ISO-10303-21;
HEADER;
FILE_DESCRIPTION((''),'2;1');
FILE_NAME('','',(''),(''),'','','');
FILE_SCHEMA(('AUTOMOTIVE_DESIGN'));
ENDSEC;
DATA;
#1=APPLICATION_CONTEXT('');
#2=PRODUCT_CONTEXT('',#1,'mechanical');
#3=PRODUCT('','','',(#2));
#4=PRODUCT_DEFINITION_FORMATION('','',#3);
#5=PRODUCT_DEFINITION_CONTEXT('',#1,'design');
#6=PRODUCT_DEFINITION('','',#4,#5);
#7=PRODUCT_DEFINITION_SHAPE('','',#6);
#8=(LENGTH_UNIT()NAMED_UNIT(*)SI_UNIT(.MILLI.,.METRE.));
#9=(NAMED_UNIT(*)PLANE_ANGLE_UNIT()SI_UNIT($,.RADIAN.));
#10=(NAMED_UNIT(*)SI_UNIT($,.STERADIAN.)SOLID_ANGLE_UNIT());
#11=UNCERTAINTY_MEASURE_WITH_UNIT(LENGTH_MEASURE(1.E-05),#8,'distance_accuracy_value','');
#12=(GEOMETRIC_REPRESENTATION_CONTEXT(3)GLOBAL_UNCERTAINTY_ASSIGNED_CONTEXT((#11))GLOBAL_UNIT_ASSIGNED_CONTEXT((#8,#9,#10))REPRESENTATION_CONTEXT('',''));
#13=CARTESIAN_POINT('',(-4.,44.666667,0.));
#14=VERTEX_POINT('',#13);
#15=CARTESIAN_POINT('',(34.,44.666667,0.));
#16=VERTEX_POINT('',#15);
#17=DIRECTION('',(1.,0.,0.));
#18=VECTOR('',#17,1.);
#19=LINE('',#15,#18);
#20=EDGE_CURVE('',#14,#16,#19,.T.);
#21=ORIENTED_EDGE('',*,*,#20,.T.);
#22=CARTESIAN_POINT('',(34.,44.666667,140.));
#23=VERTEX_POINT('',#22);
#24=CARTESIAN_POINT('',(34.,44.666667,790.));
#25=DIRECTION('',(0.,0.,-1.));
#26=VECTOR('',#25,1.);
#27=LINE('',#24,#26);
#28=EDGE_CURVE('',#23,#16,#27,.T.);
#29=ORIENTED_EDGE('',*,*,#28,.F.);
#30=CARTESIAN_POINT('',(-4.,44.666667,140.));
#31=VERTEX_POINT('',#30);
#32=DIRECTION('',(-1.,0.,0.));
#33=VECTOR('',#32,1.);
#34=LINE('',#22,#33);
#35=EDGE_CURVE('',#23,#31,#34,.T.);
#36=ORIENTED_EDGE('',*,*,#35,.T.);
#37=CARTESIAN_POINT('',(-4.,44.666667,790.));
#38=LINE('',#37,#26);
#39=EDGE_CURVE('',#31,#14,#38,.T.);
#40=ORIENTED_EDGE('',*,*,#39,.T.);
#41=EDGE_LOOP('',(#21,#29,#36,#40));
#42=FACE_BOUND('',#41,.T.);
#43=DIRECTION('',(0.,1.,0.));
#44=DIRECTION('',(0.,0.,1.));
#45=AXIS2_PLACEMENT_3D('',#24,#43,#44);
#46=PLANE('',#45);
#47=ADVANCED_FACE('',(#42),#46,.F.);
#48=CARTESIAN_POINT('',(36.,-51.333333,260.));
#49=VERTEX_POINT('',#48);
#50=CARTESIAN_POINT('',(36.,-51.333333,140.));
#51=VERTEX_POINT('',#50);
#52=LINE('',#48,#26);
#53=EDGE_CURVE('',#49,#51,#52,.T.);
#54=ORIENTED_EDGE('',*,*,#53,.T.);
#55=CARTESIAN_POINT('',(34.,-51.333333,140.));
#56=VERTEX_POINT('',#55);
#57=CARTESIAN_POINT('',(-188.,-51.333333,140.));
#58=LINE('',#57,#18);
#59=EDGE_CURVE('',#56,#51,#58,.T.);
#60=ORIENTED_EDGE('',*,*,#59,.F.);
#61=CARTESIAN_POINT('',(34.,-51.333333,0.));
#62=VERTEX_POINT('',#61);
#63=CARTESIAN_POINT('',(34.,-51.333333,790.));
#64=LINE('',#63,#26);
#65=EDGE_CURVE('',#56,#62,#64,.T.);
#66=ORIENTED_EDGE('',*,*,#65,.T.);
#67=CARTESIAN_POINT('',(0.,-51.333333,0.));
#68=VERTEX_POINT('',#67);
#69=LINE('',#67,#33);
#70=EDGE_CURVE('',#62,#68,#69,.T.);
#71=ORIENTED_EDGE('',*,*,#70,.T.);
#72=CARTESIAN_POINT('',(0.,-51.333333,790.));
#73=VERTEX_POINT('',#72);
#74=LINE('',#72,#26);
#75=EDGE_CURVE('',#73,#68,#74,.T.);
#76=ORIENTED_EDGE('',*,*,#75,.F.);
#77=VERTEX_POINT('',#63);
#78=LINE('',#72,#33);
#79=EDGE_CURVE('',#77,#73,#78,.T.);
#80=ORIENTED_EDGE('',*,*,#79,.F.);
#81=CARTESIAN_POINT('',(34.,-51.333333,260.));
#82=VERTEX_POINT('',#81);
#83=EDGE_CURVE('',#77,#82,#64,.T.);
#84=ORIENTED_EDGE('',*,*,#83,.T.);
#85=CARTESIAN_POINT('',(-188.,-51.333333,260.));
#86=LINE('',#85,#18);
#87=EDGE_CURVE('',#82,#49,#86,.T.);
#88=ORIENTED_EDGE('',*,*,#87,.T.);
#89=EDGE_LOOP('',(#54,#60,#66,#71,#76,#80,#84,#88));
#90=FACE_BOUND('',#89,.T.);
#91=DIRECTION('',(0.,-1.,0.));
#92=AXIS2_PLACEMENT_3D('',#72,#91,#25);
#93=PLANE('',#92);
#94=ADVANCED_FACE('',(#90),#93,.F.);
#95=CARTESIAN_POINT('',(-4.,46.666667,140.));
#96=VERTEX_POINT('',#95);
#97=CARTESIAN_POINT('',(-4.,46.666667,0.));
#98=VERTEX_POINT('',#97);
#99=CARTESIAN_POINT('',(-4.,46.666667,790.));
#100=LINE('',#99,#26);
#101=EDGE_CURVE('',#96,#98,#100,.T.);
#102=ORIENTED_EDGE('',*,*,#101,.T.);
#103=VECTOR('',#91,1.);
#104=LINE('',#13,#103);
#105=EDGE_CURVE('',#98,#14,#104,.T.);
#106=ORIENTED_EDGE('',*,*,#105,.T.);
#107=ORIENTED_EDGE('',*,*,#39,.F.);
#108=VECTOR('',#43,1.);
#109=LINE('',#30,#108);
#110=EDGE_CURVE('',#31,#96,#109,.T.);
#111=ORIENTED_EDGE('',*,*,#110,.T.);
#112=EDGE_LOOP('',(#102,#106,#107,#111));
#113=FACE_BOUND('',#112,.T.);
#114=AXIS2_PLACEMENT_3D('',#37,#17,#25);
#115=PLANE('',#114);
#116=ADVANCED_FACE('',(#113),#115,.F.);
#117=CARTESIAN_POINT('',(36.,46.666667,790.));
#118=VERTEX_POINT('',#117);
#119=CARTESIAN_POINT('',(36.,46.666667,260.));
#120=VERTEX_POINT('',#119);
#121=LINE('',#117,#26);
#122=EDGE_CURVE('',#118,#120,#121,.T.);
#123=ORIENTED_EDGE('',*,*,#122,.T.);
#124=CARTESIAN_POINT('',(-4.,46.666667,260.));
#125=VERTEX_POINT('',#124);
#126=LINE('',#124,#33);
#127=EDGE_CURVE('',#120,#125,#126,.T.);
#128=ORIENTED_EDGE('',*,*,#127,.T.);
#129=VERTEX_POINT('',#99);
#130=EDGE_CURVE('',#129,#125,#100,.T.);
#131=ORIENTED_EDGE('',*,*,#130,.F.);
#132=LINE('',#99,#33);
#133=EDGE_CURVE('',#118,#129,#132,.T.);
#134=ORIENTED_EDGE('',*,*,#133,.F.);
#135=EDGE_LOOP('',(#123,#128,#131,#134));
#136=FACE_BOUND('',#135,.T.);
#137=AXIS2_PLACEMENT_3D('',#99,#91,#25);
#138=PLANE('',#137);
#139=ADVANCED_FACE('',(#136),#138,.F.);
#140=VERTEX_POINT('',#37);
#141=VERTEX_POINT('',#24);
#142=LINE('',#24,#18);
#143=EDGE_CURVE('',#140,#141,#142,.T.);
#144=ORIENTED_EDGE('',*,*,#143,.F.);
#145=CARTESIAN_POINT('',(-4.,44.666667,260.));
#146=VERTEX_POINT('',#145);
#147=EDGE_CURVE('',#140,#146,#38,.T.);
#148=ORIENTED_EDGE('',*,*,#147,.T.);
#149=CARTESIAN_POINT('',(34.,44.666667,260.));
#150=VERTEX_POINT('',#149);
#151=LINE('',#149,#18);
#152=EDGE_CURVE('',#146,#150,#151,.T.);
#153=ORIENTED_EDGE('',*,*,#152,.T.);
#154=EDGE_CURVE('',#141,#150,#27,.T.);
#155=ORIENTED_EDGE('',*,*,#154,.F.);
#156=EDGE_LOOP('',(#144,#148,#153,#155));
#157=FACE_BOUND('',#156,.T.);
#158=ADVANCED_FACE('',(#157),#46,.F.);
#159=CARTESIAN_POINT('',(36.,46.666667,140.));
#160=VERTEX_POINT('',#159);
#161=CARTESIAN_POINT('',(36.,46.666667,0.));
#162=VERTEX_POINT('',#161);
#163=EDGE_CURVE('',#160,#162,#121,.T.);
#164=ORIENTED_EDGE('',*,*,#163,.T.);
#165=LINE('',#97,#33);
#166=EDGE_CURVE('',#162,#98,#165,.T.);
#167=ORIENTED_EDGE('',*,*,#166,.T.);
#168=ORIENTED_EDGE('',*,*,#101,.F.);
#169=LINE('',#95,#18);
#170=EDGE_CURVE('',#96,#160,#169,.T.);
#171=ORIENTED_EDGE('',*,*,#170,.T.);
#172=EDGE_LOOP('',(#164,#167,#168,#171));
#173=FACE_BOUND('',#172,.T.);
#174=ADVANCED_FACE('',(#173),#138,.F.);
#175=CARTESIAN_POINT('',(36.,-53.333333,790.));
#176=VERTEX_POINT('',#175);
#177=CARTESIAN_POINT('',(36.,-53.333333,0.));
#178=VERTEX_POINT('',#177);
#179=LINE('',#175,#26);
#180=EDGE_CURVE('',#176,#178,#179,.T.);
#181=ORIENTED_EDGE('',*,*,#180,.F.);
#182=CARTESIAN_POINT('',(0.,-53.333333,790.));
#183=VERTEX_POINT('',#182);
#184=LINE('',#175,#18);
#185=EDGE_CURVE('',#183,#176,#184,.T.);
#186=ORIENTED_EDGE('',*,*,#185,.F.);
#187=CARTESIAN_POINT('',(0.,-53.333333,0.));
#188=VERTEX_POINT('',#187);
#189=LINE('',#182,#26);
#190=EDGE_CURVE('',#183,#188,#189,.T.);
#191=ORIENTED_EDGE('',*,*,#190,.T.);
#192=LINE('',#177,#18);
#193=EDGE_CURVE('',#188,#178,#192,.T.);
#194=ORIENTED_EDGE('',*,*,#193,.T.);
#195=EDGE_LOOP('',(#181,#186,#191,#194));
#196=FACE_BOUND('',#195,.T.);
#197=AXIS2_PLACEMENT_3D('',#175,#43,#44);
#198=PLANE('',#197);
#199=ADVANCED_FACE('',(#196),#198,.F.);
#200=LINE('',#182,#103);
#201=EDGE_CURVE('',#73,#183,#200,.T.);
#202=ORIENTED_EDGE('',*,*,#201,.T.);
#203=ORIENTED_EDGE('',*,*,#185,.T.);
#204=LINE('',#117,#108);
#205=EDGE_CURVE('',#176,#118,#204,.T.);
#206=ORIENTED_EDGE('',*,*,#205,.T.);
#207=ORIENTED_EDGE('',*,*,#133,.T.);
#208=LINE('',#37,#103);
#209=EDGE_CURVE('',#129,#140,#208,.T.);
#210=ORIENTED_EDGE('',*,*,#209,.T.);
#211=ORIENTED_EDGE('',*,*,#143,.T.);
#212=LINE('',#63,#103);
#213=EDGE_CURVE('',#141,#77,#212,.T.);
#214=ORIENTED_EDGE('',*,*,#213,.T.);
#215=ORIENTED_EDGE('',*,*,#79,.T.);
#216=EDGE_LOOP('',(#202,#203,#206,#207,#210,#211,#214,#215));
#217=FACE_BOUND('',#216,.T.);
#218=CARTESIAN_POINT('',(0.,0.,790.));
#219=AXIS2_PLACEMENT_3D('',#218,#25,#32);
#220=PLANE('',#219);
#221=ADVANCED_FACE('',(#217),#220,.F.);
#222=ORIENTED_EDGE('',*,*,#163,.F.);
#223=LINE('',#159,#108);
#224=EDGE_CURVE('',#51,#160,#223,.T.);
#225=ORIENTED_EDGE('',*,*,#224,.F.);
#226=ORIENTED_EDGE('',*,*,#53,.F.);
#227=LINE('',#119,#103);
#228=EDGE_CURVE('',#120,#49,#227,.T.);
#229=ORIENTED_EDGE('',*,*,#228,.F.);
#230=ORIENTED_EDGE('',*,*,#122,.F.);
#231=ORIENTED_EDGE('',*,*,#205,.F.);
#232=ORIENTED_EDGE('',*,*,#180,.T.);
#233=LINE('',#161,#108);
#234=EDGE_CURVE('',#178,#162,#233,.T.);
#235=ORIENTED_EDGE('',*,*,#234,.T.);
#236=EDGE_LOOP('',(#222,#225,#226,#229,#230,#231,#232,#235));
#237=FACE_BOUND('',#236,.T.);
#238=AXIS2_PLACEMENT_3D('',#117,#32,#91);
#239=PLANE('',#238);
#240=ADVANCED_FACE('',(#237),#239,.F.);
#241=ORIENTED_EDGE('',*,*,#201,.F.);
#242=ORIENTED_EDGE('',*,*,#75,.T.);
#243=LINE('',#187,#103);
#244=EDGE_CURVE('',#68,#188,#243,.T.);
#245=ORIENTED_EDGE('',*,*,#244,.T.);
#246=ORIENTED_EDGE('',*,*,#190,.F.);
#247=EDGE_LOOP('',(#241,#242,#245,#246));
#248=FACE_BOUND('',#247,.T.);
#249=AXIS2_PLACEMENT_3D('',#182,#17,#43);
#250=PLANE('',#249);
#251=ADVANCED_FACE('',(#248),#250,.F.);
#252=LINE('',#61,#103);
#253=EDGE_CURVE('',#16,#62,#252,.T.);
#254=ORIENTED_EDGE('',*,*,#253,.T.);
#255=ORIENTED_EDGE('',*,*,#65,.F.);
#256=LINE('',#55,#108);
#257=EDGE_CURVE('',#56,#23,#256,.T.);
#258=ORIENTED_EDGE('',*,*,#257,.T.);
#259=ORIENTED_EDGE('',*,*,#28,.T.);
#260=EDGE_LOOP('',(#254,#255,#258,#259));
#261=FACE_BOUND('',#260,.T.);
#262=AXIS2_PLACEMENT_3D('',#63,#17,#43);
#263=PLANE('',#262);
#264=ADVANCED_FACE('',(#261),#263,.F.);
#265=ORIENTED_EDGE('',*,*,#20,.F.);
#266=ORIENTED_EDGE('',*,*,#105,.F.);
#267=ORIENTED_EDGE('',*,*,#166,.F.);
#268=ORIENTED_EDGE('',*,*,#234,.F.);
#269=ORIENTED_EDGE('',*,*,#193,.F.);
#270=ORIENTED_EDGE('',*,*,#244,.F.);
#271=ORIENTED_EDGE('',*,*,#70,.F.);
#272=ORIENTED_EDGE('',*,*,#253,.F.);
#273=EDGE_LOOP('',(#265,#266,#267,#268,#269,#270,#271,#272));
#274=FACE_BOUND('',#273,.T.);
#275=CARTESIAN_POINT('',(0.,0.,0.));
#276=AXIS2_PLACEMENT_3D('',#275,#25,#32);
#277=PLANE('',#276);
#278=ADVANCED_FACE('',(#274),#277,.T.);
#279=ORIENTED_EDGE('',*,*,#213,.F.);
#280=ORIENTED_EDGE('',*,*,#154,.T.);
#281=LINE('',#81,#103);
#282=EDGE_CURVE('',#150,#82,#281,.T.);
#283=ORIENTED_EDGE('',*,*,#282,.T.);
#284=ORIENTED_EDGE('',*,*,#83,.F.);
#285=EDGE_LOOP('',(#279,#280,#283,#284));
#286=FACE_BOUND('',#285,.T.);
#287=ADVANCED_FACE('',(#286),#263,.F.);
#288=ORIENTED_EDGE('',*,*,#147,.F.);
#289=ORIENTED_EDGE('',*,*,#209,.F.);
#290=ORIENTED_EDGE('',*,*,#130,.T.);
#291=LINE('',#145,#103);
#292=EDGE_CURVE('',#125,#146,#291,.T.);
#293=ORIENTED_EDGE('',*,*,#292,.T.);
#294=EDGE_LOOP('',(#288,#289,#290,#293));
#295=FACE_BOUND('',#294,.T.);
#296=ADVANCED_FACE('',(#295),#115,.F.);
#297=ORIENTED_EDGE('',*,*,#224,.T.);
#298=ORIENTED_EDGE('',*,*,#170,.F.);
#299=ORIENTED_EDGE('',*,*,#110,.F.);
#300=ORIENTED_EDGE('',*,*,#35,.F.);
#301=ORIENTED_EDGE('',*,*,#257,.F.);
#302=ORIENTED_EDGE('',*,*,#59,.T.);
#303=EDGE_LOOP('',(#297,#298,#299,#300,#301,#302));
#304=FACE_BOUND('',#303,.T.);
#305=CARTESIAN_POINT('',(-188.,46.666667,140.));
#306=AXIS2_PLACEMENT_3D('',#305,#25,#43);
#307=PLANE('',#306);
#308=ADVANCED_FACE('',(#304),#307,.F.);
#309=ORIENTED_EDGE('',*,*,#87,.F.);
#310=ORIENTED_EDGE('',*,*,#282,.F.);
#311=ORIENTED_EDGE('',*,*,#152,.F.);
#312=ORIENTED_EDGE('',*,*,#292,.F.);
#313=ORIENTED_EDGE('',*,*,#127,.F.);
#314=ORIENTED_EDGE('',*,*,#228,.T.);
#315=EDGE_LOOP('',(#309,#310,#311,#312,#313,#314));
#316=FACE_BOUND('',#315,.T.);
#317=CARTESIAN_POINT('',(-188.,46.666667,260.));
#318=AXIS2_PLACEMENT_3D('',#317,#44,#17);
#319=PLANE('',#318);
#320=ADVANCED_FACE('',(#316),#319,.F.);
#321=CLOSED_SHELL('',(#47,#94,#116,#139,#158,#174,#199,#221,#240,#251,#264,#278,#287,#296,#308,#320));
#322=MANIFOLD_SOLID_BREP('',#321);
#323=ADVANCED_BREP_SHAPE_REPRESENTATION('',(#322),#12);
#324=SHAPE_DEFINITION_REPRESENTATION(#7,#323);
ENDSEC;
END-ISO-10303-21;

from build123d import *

# Parameters (mm, degrees)
BOSS_EXTRUDE1_DEPTH = 790
SKETCH2_W           = 120
SKETCH2_H           = 98
CUT_EXTRUDE1_DEPTH  = 224


with BuildPart() as part:
    # Sketch1 → Boss-Extrude1 (new body)
    with BuildSketch(Plane.XY):
        Polygon((-4, 46.666666667), (36, 46.666666667), (36, -53.333333333), (0, -53.333333333), (0, -51.333333333), (34, -51.333333333), (34, 44.666666667), (-4, 44.666666667), align=None)
    extrude(amount=BOSS_EXTRUDE1_DEPTH)

    # Sketch2 → Cut-Extrude1 (cut)
    with BuildSketch(Plane(origin=(36, 0, 0), x_dir=(0, 0, -1), z_dir=(1, 0, 0))):
        with Locations((-200, -2.333333333)):
            Rectangle(SKETCH2_W, SKETCH2_H)
    extrude(amount=-CUT_EXTRUDE1_DEPTH, mode=Mode.SUBTRACT)


solid = part.part
